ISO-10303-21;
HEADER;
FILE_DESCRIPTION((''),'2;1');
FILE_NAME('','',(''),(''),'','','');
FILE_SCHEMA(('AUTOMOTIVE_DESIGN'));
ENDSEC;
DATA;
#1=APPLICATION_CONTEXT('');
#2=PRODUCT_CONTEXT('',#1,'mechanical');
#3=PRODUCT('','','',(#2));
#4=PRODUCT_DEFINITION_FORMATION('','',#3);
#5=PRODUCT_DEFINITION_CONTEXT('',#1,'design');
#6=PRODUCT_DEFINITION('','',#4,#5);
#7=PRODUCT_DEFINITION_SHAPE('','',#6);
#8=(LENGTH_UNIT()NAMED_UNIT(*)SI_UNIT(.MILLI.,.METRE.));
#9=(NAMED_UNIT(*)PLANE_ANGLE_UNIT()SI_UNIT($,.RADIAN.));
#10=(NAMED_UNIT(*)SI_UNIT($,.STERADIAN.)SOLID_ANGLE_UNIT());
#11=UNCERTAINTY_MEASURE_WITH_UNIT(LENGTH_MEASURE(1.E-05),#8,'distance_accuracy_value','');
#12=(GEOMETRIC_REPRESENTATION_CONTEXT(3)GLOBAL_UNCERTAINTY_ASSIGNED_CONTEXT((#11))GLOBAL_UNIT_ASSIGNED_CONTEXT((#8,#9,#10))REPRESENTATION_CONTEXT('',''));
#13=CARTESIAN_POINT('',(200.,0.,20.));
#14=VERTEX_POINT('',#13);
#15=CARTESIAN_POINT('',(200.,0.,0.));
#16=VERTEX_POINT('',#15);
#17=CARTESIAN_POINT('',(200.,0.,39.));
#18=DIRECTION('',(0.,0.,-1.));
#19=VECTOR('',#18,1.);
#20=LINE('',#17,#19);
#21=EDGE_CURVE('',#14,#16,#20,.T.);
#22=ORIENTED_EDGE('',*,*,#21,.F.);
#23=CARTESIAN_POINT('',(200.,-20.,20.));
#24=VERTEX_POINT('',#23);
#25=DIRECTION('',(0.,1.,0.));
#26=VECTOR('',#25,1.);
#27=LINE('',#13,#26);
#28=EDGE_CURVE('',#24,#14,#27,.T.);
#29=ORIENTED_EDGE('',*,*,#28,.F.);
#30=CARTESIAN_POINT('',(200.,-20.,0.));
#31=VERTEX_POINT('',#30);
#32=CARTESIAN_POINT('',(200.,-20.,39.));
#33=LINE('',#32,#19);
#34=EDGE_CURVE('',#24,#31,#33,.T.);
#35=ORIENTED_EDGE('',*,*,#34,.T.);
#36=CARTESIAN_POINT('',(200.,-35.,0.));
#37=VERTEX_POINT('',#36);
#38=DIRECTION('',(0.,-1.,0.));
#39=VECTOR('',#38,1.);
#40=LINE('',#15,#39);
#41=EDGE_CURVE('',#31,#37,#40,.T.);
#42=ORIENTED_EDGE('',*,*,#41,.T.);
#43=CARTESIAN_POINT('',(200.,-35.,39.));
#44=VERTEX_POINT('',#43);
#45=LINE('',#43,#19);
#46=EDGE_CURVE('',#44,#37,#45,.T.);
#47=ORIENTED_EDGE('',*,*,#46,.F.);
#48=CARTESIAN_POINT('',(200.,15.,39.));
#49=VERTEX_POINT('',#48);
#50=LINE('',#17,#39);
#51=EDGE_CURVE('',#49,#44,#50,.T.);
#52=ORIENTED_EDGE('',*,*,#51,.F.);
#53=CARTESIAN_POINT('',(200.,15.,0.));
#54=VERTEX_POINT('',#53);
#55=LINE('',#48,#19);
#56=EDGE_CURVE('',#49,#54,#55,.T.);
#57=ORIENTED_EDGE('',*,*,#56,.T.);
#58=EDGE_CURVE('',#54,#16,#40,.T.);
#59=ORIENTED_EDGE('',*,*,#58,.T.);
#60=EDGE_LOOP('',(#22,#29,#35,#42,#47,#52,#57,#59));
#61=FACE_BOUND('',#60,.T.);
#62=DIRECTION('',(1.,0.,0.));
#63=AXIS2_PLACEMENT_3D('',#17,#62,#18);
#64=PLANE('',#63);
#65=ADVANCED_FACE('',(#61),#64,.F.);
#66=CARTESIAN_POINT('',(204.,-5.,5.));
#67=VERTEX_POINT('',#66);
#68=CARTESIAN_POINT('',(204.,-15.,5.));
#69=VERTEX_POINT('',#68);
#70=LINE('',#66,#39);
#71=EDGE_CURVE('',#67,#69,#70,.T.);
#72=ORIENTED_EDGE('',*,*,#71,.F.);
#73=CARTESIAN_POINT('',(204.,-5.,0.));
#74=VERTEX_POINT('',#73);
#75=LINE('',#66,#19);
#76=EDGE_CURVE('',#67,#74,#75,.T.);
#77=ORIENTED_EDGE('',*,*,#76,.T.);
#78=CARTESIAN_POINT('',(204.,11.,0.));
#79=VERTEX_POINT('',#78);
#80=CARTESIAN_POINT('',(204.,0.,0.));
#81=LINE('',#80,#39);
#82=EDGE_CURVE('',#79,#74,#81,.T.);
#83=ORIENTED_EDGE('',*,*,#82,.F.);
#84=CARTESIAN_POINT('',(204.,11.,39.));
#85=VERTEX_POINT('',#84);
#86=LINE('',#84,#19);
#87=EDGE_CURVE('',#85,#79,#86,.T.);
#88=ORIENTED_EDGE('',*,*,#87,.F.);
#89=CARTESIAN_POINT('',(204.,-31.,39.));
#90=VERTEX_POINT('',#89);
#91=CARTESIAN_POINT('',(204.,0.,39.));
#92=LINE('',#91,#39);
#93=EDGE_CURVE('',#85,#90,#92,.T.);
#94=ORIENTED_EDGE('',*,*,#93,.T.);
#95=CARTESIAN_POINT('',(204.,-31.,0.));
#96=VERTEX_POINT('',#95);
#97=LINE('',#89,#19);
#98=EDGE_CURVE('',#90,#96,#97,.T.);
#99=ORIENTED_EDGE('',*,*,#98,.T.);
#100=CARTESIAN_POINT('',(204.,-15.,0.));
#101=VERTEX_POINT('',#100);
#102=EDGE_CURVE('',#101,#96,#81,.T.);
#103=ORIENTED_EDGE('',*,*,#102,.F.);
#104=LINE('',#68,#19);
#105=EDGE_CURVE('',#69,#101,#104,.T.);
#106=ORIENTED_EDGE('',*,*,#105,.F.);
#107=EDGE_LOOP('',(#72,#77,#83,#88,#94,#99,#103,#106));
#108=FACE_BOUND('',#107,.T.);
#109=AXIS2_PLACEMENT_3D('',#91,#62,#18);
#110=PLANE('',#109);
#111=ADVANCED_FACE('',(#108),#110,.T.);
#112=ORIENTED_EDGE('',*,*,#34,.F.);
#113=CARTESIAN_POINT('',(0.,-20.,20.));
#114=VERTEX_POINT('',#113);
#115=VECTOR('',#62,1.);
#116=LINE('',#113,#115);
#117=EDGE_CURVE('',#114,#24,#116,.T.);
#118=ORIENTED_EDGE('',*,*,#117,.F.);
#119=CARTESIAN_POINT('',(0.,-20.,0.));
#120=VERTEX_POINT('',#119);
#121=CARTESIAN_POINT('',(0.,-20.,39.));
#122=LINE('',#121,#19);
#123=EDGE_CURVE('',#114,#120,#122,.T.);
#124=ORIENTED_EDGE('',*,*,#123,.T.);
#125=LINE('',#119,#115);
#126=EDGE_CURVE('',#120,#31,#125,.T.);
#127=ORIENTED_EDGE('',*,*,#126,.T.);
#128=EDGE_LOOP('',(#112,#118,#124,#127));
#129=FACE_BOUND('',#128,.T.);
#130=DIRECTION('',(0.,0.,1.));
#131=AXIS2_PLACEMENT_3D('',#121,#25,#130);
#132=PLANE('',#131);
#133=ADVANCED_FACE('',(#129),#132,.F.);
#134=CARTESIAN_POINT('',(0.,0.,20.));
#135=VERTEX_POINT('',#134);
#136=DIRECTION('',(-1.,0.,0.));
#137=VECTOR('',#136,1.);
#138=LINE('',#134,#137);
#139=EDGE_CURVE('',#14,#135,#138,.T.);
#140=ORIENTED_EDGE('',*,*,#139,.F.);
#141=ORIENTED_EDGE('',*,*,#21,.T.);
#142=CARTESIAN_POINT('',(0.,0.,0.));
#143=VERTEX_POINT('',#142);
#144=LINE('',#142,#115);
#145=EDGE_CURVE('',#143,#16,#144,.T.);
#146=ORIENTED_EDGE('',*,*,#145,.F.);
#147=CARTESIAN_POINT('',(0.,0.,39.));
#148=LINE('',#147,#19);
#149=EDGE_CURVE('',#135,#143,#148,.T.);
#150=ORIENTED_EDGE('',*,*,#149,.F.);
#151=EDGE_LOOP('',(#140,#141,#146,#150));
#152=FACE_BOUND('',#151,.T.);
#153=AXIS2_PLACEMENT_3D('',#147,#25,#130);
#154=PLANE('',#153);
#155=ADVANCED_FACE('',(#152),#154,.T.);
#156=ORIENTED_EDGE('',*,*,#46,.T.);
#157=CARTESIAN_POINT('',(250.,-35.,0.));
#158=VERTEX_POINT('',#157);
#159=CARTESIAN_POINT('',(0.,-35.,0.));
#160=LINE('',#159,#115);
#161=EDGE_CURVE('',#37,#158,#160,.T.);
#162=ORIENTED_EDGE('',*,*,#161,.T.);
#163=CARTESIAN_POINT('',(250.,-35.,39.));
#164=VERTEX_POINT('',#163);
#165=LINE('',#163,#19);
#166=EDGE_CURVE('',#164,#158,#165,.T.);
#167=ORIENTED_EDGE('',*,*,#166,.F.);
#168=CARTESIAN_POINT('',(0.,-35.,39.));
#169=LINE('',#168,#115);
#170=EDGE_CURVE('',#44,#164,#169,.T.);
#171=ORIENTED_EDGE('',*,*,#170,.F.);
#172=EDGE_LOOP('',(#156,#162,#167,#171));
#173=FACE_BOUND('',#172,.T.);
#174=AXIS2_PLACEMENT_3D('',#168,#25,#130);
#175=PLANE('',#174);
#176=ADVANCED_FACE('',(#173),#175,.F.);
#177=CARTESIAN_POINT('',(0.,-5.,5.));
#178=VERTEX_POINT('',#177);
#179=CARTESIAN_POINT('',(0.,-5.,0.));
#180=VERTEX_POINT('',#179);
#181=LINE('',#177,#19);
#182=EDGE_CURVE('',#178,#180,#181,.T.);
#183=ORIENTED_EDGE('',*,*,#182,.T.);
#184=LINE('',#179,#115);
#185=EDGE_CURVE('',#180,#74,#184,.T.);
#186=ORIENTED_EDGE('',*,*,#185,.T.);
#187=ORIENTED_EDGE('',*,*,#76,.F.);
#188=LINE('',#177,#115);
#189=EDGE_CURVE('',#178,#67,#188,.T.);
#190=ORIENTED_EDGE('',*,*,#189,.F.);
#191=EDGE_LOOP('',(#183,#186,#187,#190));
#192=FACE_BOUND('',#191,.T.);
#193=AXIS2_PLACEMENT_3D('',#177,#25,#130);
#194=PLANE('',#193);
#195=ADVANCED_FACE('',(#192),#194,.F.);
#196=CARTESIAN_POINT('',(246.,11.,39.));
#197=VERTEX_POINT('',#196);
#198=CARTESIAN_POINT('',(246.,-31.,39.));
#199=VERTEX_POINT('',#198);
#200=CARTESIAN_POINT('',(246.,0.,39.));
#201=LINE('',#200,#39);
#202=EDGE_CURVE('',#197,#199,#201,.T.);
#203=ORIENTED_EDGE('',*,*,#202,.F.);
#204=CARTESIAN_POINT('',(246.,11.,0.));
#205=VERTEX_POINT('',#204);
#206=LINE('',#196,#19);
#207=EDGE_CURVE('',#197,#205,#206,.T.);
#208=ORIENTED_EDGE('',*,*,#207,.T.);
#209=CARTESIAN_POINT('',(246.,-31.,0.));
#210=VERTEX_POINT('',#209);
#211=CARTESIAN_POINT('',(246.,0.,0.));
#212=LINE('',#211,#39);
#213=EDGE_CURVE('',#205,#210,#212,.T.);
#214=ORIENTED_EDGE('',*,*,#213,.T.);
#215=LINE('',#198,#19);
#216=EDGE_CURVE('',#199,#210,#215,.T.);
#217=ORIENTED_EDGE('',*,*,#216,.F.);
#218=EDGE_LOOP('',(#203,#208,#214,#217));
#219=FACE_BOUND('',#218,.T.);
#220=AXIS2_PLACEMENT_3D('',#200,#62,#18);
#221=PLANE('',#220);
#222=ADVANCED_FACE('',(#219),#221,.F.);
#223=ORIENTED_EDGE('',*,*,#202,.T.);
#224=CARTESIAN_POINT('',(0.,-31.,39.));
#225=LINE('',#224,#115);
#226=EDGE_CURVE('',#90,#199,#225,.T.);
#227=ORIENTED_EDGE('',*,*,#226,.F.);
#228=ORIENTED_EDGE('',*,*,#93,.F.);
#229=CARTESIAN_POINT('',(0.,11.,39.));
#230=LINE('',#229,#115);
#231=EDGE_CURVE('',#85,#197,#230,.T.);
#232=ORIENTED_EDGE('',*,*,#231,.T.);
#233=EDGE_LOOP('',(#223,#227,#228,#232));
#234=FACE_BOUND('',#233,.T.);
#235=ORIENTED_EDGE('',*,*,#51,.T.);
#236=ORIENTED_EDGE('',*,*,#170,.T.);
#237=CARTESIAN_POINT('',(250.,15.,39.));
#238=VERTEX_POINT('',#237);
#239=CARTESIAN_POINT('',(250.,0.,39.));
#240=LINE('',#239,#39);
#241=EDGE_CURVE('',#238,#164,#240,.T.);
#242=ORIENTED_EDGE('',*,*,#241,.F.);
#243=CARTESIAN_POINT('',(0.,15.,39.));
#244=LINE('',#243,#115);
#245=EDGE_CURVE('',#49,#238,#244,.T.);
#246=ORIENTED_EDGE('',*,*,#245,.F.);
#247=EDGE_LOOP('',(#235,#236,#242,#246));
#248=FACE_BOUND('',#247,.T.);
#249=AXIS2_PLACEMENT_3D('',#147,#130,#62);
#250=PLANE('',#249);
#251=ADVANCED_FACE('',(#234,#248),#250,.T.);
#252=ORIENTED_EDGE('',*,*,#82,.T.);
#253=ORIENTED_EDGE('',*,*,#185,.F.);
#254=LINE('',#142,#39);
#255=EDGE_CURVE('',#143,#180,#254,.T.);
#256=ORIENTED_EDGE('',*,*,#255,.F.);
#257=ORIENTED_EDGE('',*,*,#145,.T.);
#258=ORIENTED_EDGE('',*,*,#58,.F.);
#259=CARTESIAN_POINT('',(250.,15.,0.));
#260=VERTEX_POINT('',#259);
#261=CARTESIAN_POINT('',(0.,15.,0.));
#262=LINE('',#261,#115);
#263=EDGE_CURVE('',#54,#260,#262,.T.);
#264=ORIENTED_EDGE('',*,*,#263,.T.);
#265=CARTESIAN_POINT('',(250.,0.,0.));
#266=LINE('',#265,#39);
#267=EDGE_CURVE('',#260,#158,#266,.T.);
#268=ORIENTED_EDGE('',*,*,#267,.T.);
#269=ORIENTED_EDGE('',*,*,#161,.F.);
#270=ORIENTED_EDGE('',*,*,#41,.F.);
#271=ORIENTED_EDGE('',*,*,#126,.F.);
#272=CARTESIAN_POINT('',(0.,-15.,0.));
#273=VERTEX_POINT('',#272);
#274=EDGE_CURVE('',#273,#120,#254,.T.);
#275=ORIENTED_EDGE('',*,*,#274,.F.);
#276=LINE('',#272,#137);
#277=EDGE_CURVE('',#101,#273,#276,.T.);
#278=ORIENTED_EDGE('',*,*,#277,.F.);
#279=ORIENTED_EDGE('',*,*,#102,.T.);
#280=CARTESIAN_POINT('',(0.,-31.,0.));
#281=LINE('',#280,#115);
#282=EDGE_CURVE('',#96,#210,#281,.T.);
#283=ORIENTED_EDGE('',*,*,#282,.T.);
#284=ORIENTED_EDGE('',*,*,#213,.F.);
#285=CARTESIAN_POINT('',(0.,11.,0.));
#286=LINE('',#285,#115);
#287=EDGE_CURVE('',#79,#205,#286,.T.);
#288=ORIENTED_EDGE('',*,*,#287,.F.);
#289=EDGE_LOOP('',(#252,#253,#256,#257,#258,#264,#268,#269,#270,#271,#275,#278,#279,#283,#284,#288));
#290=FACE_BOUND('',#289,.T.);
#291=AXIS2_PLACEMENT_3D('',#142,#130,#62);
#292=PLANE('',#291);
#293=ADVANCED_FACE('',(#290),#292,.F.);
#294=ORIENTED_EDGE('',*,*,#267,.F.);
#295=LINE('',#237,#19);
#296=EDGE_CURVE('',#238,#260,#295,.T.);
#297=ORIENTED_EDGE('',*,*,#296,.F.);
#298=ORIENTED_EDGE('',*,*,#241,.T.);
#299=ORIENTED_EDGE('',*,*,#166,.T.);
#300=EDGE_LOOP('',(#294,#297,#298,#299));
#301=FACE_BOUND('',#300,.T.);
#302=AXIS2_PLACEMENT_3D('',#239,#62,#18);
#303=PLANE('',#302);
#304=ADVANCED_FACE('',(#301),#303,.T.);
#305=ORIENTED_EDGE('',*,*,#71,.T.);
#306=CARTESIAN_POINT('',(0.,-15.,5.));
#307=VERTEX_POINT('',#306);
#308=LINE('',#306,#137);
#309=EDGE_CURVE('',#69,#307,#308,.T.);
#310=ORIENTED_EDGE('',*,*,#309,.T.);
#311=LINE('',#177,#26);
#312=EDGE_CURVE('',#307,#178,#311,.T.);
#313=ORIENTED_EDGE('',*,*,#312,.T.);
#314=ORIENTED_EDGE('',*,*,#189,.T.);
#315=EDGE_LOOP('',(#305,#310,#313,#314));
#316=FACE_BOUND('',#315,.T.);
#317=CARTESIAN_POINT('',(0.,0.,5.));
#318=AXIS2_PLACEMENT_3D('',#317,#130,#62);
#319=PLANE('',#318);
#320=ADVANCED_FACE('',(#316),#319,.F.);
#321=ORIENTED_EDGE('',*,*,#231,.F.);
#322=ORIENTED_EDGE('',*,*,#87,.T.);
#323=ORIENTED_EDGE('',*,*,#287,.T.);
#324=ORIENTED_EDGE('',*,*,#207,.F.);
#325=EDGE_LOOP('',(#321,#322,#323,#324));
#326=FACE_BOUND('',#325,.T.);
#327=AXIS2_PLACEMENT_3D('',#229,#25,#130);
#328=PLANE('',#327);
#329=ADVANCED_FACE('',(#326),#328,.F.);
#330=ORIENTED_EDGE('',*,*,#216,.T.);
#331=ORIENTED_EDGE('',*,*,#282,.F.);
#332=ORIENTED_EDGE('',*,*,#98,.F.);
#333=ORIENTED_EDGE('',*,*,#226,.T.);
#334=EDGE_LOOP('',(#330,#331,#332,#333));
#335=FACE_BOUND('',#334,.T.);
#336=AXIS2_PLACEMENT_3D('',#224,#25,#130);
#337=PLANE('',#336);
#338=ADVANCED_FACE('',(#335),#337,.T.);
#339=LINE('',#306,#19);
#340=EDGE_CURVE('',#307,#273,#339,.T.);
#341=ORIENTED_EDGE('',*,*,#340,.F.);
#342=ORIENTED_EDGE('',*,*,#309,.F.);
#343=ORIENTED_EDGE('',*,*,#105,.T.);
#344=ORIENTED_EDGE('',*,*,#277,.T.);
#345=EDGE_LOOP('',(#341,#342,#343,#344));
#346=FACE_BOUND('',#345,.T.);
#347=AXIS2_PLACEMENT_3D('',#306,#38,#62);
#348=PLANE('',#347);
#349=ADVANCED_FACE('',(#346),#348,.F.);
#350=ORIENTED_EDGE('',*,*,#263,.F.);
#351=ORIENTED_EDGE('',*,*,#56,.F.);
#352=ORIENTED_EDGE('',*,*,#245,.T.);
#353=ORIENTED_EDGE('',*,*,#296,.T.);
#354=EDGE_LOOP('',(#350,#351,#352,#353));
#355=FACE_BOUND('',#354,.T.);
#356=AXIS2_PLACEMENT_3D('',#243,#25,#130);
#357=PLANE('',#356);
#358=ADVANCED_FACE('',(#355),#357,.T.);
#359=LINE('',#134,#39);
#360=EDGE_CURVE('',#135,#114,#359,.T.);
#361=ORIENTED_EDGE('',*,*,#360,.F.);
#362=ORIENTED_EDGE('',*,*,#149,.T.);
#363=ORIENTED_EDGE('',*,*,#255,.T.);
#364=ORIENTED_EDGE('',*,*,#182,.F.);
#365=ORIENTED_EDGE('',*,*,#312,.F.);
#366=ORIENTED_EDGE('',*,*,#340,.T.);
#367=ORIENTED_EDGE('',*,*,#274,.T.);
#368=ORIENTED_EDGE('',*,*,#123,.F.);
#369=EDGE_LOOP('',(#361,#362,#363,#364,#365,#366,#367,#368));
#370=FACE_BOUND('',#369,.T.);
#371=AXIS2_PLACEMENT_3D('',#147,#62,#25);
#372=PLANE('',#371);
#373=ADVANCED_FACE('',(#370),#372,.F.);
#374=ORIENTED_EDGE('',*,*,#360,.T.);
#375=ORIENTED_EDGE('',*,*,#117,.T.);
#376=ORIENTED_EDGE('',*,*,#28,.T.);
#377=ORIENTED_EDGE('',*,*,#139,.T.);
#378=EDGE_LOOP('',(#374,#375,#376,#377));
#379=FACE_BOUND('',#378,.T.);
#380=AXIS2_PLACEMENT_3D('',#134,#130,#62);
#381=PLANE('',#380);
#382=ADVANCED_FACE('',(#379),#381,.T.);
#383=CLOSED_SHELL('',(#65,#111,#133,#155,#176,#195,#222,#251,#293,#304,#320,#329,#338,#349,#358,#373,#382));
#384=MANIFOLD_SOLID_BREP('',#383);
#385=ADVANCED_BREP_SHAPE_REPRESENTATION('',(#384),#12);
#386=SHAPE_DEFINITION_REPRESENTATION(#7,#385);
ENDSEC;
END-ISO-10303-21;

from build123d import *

# Parameters (mm, degrees)
ESQUISSE1_W             = 200
ESQUISSE1_H             = 20
ESQUISSE1_W_2           = 42
ESQUISSE1_H_2           = 42
BOSS_EXTRU_1_DEPTH      = 39
ESQUISSE2_W             = 200
ESQUISSE2_H             = 20
ENL_V_MAT_EXTRU_1_DEPTH = 19
ESQUISSE3_W             = 204
ESQUISSE3_H             = 10
ENL_V_MAT_EXTRU_3_DEPTH = 5


with BuildPart() as part:
    # Esquisse1 → Boss.-Extru.1 (new body)
    with BuildSketch(Plane.XY):
        with Locations((100, -10)):
            Rectangle(ESQUISSE1_W, ESQUISSE1_H)
        Polygon((200, 15), (200, 0), (200, -20), (200, -35), (250, -35), (250, 15), align=None)
        with Locations((225, -10)):
            Rectangle(ESQUISSE1_W_2, ESQUISSE1_H_2, mode=Mode.SUBTRACT)
    extrude(amount=BOSS_EXTRU_1_DEPTH)

    # Esquisse2 → Enlèv. mat.-Extru.1 (cut)
    with BuildSketch(Plane.XY.offset(39)):
        with Locations((100, -10)):
            Rectangle(ESQUISSE2_W, ESQUISSE2_H)
    extrude(amount=-ENL_V_MAT_EXTRU_1_DEPTH, mode=Mode.SUBTRACT)

    # Esquisse3 → Enlèv. mat.-Extru.3 (cut)
    with BuildSketch(Plane(origin=(0, 0, 0), x_dir=(-1, 0, 0), z_dir=(0, 0, -1))):
        with Locations((-102, -10)):
            Rectangle(ESQUISSE3_W, ESQUISSE3_H)
    extrude(amount=-ENL_V_MAT_EXTRU_3_DEPTH, mode=Mode.SUBTRACT)


solid = part.part
